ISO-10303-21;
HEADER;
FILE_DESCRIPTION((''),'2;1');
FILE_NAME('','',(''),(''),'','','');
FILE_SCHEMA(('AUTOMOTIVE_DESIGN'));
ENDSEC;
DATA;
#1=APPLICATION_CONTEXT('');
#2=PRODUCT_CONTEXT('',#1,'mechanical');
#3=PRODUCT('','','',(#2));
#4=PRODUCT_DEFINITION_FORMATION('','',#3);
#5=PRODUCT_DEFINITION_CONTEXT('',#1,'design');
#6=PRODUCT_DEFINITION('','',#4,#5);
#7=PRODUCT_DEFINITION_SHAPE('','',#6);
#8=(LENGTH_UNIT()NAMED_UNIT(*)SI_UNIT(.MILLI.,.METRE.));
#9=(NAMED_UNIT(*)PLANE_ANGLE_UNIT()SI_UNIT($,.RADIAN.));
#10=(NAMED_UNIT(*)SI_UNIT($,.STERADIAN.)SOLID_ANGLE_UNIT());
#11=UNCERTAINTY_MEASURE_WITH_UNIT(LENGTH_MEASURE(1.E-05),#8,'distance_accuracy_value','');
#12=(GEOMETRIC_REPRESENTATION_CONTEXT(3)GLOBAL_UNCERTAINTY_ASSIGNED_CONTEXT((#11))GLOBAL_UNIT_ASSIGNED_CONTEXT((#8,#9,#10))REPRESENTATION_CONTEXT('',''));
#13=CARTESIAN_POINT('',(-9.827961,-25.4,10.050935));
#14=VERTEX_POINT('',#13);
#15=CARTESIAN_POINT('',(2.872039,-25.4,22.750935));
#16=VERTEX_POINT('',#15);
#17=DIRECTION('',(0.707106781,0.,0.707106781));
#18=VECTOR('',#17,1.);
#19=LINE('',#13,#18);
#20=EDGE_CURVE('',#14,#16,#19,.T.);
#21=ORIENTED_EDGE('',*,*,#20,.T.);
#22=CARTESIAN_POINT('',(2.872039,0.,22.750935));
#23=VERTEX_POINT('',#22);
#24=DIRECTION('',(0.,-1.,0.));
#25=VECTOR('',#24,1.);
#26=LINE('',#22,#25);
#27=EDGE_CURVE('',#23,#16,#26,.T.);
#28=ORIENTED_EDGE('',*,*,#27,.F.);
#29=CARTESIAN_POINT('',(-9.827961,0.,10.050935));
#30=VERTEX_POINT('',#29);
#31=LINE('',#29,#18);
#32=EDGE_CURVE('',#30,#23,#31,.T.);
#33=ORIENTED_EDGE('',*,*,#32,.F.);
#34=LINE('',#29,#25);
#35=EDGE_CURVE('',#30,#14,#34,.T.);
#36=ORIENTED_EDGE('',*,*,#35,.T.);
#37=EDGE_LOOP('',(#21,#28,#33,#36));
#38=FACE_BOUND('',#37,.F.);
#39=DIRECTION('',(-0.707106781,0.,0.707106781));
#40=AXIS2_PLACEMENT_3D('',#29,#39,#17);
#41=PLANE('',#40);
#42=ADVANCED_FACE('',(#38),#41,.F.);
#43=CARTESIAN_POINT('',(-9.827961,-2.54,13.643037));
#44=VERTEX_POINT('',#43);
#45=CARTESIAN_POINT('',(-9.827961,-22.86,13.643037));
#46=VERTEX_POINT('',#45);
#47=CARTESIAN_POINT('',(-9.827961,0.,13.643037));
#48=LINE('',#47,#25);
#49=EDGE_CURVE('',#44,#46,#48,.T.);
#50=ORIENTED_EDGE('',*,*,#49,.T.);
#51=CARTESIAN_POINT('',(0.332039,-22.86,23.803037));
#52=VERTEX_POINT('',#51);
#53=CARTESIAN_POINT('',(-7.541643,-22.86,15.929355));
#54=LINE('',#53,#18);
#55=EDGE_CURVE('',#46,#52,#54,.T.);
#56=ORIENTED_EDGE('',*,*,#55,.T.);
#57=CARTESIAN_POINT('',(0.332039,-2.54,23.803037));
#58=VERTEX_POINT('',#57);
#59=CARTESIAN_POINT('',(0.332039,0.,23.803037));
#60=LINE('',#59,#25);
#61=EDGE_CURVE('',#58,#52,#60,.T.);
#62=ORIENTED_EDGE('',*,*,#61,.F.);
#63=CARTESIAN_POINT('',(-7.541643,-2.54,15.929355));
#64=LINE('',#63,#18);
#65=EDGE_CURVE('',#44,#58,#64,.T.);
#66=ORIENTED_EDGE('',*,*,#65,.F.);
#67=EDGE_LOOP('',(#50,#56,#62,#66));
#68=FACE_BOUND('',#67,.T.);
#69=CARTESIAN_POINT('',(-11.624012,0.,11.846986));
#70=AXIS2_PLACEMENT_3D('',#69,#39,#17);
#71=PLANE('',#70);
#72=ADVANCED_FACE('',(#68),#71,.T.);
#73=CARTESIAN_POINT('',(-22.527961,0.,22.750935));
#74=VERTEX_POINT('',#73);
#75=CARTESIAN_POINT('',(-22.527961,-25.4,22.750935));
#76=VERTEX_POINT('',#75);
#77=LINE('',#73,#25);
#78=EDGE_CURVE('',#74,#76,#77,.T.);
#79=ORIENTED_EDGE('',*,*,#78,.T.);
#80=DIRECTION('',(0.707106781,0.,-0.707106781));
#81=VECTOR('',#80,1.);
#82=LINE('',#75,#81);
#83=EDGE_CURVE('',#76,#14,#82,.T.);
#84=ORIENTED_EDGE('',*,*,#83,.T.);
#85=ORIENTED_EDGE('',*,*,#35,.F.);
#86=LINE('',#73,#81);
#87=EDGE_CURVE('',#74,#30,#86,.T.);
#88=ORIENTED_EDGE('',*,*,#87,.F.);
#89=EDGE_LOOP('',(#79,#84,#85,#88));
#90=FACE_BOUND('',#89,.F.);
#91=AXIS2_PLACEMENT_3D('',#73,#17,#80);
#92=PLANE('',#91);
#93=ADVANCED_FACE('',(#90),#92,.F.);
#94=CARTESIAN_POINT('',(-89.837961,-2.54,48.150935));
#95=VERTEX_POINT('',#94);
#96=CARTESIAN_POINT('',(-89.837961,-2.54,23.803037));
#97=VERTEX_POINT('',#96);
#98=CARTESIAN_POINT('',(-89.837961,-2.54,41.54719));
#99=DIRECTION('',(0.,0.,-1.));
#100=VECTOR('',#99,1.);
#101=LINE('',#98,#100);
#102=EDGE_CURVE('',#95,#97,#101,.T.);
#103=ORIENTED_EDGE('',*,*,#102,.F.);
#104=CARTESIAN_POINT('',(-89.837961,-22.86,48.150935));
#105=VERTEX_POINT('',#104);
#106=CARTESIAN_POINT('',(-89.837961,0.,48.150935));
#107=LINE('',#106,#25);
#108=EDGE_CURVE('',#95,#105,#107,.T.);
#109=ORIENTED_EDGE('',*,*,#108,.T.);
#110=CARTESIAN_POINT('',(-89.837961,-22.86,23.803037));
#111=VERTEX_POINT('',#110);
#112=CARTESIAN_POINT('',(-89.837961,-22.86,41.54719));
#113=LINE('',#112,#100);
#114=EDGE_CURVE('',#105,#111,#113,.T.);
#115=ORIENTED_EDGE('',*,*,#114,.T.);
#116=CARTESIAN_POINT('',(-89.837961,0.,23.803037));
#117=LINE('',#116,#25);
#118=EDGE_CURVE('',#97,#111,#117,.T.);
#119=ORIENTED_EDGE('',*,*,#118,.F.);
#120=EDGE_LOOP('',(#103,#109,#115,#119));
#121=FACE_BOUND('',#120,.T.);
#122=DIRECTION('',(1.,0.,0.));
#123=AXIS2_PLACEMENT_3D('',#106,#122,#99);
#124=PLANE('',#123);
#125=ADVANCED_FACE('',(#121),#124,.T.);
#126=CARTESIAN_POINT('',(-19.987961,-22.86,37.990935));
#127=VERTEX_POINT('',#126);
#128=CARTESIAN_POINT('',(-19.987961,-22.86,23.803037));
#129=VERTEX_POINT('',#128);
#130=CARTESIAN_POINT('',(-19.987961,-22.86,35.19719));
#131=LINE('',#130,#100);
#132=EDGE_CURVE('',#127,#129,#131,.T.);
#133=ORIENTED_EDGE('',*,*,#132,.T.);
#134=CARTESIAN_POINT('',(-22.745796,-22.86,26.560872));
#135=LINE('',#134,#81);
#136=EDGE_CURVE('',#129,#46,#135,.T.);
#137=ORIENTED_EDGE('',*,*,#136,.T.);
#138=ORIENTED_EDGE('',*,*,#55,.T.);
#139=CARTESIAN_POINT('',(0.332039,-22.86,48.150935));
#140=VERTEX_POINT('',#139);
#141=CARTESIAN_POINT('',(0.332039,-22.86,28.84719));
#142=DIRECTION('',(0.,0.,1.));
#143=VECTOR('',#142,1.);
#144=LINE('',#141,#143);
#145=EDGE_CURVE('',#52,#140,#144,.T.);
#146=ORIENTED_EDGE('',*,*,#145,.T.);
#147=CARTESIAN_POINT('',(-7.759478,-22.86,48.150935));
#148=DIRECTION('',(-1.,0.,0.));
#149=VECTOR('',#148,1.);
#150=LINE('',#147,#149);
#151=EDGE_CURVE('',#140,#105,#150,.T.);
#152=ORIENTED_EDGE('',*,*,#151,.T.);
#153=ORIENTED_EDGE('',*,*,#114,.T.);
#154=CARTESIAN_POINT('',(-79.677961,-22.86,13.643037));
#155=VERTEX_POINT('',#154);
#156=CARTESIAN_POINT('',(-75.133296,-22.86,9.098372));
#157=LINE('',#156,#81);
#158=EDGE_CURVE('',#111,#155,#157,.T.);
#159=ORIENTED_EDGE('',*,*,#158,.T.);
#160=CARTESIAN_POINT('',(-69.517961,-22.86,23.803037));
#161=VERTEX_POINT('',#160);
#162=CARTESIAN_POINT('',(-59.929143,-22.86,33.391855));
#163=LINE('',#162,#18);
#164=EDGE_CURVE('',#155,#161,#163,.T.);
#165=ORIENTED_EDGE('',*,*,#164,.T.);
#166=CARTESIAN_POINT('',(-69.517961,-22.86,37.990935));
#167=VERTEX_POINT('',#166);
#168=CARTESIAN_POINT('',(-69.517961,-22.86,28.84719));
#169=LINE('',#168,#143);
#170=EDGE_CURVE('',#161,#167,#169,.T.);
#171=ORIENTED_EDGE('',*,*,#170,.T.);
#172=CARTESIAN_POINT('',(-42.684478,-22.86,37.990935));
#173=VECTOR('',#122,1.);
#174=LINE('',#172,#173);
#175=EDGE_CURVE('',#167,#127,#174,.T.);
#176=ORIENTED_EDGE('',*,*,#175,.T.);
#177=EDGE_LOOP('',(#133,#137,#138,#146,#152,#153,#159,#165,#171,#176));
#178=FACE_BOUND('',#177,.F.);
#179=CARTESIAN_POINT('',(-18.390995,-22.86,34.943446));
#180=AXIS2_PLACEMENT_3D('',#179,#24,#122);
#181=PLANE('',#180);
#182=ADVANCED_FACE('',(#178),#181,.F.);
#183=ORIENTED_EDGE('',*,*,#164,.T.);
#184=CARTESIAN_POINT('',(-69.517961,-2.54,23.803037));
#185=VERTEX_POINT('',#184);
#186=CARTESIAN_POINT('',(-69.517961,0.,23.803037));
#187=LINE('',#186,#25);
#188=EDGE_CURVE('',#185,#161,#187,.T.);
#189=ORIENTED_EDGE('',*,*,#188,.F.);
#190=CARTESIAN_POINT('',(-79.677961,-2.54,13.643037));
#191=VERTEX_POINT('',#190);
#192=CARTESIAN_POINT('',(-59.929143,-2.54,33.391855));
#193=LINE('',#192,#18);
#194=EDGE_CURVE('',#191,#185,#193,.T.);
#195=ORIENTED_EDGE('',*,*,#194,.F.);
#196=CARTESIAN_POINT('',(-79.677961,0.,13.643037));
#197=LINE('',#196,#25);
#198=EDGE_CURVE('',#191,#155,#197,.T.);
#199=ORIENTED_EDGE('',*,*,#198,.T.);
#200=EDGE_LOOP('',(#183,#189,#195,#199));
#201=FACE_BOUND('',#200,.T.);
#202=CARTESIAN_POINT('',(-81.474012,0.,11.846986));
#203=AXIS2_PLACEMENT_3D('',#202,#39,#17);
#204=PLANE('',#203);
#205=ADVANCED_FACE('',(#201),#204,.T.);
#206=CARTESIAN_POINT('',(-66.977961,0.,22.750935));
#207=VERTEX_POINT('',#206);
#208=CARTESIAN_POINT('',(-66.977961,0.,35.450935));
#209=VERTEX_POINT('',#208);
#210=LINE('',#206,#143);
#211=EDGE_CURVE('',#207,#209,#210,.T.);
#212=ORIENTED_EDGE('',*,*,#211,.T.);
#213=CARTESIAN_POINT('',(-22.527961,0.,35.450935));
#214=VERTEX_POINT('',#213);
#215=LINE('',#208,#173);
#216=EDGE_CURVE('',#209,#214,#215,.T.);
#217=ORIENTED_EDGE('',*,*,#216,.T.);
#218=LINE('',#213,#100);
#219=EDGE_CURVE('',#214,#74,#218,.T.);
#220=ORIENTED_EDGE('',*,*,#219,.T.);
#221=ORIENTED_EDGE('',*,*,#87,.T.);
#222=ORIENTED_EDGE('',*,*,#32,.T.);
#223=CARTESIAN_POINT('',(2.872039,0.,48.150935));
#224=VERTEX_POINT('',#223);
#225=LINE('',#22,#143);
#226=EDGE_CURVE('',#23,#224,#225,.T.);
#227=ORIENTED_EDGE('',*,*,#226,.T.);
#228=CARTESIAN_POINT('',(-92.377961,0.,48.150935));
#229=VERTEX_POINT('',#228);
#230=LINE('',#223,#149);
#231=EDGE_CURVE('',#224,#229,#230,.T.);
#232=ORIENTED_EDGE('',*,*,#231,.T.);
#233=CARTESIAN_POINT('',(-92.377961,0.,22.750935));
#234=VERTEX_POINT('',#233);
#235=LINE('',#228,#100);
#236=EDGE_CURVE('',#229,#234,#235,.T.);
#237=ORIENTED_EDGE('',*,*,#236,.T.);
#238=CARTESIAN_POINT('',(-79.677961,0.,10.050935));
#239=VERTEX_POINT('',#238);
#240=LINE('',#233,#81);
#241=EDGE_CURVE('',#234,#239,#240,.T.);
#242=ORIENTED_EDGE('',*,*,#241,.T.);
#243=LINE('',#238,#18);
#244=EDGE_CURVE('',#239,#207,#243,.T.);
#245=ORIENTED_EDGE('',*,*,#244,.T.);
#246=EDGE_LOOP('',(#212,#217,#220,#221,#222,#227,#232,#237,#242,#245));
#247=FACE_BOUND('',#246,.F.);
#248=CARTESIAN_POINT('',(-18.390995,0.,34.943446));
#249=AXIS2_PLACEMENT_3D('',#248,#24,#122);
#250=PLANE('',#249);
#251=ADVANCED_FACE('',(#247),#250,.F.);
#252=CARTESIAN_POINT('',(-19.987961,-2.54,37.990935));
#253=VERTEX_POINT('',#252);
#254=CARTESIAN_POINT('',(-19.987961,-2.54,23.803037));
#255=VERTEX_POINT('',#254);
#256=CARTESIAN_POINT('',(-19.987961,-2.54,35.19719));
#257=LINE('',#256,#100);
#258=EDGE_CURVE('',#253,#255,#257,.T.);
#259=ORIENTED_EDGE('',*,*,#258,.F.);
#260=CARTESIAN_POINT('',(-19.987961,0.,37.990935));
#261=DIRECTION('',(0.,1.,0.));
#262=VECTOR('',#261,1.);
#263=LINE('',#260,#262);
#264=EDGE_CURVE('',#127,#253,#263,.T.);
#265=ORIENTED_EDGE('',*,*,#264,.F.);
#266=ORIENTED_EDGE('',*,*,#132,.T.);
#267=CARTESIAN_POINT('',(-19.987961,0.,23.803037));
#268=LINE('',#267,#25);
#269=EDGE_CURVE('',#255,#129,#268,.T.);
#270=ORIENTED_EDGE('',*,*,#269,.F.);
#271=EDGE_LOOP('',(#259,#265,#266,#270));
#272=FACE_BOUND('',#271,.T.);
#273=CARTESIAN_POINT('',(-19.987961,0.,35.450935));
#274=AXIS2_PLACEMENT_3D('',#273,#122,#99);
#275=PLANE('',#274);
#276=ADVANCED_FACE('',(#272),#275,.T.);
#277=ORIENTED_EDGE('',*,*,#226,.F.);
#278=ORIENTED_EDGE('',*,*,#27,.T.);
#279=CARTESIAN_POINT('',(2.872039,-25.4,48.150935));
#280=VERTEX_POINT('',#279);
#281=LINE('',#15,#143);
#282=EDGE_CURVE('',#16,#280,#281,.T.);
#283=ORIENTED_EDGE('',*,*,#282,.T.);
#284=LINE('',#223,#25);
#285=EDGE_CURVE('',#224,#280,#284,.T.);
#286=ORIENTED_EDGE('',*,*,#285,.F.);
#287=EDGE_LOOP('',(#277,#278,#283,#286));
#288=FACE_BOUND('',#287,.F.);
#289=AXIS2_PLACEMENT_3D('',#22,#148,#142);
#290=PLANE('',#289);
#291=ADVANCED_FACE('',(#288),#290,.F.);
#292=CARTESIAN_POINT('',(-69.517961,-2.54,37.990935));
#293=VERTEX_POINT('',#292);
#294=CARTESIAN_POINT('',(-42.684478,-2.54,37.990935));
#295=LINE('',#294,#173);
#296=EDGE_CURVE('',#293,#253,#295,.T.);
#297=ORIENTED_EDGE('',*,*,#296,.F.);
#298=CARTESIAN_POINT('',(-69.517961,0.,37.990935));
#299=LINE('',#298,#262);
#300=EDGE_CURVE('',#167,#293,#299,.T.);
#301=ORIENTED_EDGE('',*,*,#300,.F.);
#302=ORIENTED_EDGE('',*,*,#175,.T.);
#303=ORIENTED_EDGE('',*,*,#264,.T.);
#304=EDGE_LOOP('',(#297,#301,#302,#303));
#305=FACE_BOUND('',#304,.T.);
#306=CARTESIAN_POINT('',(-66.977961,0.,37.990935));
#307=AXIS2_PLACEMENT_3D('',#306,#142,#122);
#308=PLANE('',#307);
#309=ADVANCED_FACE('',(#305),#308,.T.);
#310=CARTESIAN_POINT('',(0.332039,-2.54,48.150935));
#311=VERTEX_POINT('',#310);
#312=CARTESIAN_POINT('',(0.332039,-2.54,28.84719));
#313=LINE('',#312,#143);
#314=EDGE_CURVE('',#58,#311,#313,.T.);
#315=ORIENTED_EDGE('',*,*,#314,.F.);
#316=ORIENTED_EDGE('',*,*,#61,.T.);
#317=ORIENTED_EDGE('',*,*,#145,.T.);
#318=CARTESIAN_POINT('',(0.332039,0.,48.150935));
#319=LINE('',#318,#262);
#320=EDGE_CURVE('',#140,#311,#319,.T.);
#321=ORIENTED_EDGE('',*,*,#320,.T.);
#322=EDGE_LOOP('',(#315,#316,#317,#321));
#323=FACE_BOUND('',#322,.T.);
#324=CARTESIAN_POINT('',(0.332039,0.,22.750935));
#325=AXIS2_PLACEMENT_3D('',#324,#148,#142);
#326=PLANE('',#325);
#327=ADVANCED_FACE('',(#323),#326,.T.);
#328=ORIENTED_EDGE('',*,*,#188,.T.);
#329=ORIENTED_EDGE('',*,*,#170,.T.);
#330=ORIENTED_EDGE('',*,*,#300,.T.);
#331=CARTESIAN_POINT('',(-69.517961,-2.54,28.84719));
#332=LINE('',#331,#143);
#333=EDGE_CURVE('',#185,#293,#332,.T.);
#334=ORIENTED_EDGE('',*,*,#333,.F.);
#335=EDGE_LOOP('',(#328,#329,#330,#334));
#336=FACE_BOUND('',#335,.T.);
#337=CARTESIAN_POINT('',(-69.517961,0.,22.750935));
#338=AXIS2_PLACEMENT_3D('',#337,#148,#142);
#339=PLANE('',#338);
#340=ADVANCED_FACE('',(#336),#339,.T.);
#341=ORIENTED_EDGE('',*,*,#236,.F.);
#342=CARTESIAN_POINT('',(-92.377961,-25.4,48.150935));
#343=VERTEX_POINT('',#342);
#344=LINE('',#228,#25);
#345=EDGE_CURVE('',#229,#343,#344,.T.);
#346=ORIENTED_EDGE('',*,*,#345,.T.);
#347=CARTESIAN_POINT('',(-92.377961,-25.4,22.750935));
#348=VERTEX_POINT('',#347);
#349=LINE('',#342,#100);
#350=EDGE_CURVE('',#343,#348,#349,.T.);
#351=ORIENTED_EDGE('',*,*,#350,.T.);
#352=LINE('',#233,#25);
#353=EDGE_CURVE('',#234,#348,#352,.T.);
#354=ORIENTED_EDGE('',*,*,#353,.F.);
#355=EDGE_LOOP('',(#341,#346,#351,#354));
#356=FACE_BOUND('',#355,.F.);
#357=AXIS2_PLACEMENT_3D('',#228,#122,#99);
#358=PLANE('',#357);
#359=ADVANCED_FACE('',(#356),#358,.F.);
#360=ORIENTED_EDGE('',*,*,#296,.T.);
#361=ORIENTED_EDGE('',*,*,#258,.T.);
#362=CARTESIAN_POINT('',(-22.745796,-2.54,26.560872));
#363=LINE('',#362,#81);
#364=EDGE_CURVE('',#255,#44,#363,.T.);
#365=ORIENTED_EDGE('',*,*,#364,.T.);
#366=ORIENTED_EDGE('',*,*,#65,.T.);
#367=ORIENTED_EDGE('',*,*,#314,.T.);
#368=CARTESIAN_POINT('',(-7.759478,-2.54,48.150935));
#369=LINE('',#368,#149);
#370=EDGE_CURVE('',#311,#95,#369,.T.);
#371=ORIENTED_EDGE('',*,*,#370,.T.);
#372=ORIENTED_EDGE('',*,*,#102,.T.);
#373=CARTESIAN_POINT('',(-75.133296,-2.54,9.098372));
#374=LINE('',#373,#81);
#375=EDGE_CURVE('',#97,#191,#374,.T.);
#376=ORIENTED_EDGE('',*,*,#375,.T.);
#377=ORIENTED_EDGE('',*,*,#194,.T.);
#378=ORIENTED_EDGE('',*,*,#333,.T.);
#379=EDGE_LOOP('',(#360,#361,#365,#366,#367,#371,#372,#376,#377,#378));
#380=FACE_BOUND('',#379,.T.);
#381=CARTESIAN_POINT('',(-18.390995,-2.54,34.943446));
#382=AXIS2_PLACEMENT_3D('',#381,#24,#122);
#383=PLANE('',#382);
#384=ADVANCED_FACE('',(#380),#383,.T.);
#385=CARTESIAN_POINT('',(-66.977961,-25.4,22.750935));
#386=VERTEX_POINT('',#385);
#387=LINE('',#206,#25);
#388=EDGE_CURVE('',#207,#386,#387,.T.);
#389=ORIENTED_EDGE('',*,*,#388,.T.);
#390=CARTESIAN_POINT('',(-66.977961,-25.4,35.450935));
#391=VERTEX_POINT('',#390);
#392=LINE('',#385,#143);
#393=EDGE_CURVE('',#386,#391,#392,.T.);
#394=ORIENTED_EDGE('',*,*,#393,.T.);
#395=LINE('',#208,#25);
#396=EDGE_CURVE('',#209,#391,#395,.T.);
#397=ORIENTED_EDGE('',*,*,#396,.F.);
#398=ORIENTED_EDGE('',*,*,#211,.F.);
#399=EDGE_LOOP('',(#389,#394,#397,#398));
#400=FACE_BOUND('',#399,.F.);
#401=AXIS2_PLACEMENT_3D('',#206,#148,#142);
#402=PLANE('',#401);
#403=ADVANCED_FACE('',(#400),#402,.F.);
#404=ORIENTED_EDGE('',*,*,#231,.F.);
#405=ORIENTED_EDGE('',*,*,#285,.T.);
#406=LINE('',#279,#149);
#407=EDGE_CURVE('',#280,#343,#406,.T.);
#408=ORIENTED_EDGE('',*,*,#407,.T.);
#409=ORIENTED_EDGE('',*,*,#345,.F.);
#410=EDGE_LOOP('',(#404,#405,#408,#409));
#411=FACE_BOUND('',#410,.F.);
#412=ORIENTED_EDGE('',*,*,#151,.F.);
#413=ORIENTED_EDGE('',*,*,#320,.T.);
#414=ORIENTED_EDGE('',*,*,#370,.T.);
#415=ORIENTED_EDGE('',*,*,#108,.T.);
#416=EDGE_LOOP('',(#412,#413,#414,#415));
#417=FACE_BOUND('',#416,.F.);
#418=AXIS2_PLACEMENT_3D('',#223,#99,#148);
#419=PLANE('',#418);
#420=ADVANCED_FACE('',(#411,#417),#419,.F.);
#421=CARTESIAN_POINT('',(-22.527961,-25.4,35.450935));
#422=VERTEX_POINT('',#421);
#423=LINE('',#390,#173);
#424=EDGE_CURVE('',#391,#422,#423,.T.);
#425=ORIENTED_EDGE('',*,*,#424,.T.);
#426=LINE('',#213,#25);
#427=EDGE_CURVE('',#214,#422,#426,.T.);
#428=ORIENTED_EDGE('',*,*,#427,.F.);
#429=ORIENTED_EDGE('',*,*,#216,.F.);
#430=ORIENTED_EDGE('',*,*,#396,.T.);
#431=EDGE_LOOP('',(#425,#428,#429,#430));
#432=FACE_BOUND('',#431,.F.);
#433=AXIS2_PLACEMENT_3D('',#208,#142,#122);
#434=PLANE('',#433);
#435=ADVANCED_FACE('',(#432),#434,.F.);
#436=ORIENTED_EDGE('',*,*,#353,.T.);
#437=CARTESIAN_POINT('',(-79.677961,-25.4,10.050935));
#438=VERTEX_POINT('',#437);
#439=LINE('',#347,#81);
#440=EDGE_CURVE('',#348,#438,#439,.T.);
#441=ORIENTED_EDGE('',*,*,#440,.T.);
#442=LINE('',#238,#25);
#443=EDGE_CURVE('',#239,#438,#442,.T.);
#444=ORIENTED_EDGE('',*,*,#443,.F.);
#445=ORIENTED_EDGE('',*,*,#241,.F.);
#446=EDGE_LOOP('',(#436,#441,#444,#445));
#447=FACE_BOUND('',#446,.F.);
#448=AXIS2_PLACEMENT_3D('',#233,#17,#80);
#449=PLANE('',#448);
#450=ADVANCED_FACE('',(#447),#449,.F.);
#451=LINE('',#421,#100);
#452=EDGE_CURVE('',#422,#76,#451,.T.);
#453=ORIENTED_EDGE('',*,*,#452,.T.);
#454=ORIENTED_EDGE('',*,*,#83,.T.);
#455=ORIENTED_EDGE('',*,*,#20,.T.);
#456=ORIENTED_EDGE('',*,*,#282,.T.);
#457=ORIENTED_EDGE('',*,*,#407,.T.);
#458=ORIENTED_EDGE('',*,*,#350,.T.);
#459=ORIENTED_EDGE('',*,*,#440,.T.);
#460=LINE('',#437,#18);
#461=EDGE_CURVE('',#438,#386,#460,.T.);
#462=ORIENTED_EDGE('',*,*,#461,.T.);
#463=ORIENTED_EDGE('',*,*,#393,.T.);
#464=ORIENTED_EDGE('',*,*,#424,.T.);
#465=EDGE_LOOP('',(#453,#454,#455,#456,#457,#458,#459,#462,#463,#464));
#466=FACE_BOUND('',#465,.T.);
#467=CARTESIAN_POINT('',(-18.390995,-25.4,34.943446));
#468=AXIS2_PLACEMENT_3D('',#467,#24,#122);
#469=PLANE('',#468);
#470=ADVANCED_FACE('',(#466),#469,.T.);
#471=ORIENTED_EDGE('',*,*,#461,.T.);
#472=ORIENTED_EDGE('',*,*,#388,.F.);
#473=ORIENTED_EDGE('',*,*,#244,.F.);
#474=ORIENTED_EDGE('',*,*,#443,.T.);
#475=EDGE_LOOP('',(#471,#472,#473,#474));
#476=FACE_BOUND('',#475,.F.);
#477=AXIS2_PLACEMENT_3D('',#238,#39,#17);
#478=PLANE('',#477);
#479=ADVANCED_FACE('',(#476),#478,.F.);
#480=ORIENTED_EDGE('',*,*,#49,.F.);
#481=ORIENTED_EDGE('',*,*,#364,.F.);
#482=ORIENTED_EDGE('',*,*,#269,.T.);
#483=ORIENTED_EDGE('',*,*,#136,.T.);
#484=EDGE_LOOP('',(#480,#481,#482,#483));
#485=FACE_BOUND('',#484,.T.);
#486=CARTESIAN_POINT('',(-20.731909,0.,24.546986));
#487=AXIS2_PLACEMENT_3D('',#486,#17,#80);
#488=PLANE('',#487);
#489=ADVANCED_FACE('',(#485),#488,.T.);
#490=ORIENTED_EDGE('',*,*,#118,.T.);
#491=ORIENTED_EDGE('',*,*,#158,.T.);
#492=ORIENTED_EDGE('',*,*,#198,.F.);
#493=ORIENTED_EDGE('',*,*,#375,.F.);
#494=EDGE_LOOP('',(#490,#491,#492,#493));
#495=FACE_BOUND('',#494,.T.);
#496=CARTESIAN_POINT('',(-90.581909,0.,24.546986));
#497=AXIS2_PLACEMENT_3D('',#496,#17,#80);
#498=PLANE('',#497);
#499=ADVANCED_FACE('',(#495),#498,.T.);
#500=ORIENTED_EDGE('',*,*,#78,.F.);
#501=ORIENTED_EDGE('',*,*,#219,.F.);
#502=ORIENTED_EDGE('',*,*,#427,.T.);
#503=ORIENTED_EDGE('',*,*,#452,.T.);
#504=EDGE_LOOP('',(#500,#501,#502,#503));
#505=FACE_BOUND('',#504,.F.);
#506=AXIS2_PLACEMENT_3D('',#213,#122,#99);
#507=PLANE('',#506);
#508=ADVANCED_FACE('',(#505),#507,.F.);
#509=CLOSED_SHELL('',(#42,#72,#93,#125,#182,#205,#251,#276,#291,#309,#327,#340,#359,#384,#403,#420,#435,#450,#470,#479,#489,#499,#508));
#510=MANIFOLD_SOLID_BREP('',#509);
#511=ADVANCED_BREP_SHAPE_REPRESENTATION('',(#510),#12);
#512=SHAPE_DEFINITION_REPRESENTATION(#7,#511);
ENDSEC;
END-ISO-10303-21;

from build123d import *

# Parameters (mm, degrees)
F1_DEPTH = 25.4
F2_T     = -2.54


with BuildPart() as f1:
    # F0 (on Front) → F1 (new body)
    with BuildSketch(Plane.XZ):
        Polygon((2.8720393181, 48.1509345859), (-44.7529606819, 48.1509345859), (-44.7529606819, 35.4509345859), (-22.5279606819, 35.4509345859), (-22.5279606819, 22.7509345859), (-9.8279606819, 10.0509345859), (2.8720393181, 22.7509345859), align=None)
        Polygon((-44.7529606819, 35.4509345859), (-44.7529606819, 48.1509345859), (-92.3779606819, 48.1509345859), (-92.3779606819, 22.7509345859), (-79.6779606819, 10.0509345859), (-66.9779606819, 22.7509345859), (-66.9779606819, 35.4509345859), align=None)
    extrude(amount=F1_DEPTH)

    # F2
    f2_openings = [f1.faces().sort_by_distance(p)[0] for p in [
        (-44.752961, -12.7, 48.150935),
    ]]
    offset(amount=F2_T, openings=f2_openings, kind=Kind.INTERSECTION)


solid = f1.part
